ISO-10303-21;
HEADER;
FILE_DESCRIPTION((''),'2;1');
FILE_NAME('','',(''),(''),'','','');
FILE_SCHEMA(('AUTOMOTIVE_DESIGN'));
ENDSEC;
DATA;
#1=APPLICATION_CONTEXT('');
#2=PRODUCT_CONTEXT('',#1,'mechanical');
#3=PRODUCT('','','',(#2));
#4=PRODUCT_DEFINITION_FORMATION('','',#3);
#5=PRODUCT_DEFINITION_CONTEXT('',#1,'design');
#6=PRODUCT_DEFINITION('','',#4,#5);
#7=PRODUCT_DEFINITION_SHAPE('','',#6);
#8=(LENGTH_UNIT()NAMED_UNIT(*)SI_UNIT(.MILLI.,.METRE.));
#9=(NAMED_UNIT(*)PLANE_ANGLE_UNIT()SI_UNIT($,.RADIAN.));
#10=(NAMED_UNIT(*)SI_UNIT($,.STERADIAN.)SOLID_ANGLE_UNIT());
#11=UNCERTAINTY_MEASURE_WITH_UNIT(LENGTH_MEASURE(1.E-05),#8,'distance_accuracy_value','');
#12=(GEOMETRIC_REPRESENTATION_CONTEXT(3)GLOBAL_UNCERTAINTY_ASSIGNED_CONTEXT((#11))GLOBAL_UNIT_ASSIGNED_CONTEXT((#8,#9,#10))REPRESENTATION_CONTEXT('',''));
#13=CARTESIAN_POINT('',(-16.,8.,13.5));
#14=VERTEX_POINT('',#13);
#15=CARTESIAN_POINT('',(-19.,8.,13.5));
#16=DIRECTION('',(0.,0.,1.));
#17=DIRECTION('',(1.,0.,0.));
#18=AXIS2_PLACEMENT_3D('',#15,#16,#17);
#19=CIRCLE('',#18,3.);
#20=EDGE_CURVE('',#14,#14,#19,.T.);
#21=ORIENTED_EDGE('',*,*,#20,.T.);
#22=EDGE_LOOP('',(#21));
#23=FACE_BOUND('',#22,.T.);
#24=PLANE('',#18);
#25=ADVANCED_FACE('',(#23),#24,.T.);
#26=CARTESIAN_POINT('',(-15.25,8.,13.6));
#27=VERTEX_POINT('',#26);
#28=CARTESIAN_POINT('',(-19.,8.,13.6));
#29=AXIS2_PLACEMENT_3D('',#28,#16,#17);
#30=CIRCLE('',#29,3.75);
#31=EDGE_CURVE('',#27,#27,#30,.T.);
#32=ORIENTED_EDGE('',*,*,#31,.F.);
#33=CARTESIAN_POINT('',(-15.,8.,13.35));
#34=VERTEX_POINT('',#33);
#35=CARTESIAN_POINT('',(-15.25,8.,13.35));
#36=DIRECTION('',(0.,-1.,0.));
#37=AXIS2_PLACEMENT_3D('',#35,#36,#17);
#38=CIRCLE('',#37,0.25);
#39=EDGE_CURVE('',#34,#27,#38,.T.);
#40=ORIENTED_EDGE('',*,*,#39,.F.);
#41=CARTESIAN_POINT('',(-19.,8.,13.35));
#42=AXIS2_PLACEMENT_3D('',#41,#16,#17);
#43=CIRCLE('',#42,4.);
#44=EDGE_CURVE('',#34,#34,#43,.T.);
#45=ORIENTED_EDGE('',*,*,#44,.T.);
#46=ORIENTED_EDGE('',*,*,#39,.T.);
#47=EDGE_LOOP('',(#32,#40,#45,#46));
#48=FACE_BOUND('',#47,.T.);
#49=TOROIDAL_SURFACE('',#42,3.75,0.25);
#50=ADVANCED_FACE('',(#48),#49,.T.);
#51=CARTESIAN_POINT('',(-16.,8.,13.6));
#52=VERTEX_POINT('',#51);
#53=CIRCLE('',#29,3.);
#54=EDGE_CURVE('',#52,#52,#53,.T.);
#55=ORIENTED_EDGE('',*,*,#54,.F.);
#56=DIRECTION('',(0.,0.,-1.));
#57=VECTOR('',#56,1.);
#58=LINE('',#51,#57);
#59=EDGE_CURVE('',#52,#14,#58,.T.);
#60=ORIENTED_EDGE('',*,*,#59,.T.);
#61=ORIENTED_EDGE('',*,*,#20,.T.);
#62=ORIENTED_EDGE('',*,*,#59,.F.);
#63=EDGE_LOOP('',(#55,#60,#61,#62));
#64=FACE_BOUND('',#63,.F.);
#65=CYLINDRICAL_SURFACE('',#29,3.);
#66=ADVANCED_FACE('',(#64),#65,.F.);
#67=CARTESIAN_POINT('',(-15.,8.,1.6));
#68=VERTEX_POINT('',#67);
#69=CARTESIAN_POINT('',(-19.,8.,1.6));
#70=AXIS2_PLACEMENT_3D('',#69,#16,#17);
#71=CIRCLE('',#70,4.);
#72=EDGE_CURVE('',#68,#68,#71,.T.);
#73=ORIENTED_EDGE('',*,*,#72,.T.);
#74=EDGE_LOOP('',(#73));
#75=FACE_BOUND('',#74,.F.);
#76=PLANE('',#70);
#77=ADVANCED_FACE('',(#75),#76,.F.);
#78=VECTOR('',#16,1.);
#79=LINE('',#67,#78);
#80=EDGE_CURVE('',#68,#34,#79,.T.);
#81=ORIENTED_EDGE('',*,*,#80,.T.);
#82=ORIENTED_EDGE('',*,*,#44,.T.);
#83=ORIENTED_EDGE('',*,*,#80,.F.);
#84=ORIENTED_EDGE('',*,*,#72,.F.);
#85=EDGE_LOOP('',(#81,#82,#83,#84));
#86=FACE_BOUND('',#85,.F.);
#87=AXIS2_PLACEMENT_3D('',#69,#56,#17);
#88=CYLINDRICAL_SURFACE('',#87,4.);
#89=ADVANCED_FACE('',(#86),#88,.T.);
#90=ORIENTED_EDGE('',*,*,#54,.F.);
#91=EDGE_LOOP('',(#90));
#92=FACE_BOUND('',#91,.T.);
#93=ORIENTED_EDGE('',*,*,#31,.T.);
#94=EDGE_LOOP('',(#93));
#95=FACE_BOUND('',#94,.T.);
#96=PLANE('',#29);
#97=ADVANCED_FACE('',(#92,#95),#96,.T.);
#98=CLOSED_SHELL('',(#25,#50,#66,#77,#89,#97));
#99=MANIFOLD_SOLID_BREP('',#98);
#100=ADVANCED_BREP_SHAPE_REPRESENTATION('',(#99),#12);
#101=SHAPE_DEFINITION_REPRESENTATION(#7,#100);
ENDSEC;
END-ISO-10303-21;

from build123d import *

# Parameters (mm, degrees)
SKETCH006_R     = 4
PAD003_DEPTH    = 12
FILLET002_R     = 0.25
SKETCH007_R     = 3
POCKET003_DEPTH = 0.1


with BuildPart() as part:
    # Sketch006 (on Face1 of CopyFillet002) → Pad003 (new body)
    with BuildSketch(Plane.XY.offset(1.6)):
        with Locations((-19, 8)):
            Circle(SKETCH006_R)
    extrude(amount=PAD003_DEPTH)

    # Fillet002
    fillet002_edges = [part.edges().sort_by_distance(p)[0] for p in [
        (-23, 8, 13.6),
    ]]
    fillet(fillet002_edges, radius=FILLET002_R)

    # Sketch007 (on Face4 of Fillet002) → Pocket003 (cut)
    with BuildSketch(Plane.XY.offset(13.6)):
        with Locations((-19, 8)):
            Circle(SKETCH007_R)
    extrude(amount=-POCKET003_DEPTH, mode=Mode.SUBTRACT)


solid = part.part
